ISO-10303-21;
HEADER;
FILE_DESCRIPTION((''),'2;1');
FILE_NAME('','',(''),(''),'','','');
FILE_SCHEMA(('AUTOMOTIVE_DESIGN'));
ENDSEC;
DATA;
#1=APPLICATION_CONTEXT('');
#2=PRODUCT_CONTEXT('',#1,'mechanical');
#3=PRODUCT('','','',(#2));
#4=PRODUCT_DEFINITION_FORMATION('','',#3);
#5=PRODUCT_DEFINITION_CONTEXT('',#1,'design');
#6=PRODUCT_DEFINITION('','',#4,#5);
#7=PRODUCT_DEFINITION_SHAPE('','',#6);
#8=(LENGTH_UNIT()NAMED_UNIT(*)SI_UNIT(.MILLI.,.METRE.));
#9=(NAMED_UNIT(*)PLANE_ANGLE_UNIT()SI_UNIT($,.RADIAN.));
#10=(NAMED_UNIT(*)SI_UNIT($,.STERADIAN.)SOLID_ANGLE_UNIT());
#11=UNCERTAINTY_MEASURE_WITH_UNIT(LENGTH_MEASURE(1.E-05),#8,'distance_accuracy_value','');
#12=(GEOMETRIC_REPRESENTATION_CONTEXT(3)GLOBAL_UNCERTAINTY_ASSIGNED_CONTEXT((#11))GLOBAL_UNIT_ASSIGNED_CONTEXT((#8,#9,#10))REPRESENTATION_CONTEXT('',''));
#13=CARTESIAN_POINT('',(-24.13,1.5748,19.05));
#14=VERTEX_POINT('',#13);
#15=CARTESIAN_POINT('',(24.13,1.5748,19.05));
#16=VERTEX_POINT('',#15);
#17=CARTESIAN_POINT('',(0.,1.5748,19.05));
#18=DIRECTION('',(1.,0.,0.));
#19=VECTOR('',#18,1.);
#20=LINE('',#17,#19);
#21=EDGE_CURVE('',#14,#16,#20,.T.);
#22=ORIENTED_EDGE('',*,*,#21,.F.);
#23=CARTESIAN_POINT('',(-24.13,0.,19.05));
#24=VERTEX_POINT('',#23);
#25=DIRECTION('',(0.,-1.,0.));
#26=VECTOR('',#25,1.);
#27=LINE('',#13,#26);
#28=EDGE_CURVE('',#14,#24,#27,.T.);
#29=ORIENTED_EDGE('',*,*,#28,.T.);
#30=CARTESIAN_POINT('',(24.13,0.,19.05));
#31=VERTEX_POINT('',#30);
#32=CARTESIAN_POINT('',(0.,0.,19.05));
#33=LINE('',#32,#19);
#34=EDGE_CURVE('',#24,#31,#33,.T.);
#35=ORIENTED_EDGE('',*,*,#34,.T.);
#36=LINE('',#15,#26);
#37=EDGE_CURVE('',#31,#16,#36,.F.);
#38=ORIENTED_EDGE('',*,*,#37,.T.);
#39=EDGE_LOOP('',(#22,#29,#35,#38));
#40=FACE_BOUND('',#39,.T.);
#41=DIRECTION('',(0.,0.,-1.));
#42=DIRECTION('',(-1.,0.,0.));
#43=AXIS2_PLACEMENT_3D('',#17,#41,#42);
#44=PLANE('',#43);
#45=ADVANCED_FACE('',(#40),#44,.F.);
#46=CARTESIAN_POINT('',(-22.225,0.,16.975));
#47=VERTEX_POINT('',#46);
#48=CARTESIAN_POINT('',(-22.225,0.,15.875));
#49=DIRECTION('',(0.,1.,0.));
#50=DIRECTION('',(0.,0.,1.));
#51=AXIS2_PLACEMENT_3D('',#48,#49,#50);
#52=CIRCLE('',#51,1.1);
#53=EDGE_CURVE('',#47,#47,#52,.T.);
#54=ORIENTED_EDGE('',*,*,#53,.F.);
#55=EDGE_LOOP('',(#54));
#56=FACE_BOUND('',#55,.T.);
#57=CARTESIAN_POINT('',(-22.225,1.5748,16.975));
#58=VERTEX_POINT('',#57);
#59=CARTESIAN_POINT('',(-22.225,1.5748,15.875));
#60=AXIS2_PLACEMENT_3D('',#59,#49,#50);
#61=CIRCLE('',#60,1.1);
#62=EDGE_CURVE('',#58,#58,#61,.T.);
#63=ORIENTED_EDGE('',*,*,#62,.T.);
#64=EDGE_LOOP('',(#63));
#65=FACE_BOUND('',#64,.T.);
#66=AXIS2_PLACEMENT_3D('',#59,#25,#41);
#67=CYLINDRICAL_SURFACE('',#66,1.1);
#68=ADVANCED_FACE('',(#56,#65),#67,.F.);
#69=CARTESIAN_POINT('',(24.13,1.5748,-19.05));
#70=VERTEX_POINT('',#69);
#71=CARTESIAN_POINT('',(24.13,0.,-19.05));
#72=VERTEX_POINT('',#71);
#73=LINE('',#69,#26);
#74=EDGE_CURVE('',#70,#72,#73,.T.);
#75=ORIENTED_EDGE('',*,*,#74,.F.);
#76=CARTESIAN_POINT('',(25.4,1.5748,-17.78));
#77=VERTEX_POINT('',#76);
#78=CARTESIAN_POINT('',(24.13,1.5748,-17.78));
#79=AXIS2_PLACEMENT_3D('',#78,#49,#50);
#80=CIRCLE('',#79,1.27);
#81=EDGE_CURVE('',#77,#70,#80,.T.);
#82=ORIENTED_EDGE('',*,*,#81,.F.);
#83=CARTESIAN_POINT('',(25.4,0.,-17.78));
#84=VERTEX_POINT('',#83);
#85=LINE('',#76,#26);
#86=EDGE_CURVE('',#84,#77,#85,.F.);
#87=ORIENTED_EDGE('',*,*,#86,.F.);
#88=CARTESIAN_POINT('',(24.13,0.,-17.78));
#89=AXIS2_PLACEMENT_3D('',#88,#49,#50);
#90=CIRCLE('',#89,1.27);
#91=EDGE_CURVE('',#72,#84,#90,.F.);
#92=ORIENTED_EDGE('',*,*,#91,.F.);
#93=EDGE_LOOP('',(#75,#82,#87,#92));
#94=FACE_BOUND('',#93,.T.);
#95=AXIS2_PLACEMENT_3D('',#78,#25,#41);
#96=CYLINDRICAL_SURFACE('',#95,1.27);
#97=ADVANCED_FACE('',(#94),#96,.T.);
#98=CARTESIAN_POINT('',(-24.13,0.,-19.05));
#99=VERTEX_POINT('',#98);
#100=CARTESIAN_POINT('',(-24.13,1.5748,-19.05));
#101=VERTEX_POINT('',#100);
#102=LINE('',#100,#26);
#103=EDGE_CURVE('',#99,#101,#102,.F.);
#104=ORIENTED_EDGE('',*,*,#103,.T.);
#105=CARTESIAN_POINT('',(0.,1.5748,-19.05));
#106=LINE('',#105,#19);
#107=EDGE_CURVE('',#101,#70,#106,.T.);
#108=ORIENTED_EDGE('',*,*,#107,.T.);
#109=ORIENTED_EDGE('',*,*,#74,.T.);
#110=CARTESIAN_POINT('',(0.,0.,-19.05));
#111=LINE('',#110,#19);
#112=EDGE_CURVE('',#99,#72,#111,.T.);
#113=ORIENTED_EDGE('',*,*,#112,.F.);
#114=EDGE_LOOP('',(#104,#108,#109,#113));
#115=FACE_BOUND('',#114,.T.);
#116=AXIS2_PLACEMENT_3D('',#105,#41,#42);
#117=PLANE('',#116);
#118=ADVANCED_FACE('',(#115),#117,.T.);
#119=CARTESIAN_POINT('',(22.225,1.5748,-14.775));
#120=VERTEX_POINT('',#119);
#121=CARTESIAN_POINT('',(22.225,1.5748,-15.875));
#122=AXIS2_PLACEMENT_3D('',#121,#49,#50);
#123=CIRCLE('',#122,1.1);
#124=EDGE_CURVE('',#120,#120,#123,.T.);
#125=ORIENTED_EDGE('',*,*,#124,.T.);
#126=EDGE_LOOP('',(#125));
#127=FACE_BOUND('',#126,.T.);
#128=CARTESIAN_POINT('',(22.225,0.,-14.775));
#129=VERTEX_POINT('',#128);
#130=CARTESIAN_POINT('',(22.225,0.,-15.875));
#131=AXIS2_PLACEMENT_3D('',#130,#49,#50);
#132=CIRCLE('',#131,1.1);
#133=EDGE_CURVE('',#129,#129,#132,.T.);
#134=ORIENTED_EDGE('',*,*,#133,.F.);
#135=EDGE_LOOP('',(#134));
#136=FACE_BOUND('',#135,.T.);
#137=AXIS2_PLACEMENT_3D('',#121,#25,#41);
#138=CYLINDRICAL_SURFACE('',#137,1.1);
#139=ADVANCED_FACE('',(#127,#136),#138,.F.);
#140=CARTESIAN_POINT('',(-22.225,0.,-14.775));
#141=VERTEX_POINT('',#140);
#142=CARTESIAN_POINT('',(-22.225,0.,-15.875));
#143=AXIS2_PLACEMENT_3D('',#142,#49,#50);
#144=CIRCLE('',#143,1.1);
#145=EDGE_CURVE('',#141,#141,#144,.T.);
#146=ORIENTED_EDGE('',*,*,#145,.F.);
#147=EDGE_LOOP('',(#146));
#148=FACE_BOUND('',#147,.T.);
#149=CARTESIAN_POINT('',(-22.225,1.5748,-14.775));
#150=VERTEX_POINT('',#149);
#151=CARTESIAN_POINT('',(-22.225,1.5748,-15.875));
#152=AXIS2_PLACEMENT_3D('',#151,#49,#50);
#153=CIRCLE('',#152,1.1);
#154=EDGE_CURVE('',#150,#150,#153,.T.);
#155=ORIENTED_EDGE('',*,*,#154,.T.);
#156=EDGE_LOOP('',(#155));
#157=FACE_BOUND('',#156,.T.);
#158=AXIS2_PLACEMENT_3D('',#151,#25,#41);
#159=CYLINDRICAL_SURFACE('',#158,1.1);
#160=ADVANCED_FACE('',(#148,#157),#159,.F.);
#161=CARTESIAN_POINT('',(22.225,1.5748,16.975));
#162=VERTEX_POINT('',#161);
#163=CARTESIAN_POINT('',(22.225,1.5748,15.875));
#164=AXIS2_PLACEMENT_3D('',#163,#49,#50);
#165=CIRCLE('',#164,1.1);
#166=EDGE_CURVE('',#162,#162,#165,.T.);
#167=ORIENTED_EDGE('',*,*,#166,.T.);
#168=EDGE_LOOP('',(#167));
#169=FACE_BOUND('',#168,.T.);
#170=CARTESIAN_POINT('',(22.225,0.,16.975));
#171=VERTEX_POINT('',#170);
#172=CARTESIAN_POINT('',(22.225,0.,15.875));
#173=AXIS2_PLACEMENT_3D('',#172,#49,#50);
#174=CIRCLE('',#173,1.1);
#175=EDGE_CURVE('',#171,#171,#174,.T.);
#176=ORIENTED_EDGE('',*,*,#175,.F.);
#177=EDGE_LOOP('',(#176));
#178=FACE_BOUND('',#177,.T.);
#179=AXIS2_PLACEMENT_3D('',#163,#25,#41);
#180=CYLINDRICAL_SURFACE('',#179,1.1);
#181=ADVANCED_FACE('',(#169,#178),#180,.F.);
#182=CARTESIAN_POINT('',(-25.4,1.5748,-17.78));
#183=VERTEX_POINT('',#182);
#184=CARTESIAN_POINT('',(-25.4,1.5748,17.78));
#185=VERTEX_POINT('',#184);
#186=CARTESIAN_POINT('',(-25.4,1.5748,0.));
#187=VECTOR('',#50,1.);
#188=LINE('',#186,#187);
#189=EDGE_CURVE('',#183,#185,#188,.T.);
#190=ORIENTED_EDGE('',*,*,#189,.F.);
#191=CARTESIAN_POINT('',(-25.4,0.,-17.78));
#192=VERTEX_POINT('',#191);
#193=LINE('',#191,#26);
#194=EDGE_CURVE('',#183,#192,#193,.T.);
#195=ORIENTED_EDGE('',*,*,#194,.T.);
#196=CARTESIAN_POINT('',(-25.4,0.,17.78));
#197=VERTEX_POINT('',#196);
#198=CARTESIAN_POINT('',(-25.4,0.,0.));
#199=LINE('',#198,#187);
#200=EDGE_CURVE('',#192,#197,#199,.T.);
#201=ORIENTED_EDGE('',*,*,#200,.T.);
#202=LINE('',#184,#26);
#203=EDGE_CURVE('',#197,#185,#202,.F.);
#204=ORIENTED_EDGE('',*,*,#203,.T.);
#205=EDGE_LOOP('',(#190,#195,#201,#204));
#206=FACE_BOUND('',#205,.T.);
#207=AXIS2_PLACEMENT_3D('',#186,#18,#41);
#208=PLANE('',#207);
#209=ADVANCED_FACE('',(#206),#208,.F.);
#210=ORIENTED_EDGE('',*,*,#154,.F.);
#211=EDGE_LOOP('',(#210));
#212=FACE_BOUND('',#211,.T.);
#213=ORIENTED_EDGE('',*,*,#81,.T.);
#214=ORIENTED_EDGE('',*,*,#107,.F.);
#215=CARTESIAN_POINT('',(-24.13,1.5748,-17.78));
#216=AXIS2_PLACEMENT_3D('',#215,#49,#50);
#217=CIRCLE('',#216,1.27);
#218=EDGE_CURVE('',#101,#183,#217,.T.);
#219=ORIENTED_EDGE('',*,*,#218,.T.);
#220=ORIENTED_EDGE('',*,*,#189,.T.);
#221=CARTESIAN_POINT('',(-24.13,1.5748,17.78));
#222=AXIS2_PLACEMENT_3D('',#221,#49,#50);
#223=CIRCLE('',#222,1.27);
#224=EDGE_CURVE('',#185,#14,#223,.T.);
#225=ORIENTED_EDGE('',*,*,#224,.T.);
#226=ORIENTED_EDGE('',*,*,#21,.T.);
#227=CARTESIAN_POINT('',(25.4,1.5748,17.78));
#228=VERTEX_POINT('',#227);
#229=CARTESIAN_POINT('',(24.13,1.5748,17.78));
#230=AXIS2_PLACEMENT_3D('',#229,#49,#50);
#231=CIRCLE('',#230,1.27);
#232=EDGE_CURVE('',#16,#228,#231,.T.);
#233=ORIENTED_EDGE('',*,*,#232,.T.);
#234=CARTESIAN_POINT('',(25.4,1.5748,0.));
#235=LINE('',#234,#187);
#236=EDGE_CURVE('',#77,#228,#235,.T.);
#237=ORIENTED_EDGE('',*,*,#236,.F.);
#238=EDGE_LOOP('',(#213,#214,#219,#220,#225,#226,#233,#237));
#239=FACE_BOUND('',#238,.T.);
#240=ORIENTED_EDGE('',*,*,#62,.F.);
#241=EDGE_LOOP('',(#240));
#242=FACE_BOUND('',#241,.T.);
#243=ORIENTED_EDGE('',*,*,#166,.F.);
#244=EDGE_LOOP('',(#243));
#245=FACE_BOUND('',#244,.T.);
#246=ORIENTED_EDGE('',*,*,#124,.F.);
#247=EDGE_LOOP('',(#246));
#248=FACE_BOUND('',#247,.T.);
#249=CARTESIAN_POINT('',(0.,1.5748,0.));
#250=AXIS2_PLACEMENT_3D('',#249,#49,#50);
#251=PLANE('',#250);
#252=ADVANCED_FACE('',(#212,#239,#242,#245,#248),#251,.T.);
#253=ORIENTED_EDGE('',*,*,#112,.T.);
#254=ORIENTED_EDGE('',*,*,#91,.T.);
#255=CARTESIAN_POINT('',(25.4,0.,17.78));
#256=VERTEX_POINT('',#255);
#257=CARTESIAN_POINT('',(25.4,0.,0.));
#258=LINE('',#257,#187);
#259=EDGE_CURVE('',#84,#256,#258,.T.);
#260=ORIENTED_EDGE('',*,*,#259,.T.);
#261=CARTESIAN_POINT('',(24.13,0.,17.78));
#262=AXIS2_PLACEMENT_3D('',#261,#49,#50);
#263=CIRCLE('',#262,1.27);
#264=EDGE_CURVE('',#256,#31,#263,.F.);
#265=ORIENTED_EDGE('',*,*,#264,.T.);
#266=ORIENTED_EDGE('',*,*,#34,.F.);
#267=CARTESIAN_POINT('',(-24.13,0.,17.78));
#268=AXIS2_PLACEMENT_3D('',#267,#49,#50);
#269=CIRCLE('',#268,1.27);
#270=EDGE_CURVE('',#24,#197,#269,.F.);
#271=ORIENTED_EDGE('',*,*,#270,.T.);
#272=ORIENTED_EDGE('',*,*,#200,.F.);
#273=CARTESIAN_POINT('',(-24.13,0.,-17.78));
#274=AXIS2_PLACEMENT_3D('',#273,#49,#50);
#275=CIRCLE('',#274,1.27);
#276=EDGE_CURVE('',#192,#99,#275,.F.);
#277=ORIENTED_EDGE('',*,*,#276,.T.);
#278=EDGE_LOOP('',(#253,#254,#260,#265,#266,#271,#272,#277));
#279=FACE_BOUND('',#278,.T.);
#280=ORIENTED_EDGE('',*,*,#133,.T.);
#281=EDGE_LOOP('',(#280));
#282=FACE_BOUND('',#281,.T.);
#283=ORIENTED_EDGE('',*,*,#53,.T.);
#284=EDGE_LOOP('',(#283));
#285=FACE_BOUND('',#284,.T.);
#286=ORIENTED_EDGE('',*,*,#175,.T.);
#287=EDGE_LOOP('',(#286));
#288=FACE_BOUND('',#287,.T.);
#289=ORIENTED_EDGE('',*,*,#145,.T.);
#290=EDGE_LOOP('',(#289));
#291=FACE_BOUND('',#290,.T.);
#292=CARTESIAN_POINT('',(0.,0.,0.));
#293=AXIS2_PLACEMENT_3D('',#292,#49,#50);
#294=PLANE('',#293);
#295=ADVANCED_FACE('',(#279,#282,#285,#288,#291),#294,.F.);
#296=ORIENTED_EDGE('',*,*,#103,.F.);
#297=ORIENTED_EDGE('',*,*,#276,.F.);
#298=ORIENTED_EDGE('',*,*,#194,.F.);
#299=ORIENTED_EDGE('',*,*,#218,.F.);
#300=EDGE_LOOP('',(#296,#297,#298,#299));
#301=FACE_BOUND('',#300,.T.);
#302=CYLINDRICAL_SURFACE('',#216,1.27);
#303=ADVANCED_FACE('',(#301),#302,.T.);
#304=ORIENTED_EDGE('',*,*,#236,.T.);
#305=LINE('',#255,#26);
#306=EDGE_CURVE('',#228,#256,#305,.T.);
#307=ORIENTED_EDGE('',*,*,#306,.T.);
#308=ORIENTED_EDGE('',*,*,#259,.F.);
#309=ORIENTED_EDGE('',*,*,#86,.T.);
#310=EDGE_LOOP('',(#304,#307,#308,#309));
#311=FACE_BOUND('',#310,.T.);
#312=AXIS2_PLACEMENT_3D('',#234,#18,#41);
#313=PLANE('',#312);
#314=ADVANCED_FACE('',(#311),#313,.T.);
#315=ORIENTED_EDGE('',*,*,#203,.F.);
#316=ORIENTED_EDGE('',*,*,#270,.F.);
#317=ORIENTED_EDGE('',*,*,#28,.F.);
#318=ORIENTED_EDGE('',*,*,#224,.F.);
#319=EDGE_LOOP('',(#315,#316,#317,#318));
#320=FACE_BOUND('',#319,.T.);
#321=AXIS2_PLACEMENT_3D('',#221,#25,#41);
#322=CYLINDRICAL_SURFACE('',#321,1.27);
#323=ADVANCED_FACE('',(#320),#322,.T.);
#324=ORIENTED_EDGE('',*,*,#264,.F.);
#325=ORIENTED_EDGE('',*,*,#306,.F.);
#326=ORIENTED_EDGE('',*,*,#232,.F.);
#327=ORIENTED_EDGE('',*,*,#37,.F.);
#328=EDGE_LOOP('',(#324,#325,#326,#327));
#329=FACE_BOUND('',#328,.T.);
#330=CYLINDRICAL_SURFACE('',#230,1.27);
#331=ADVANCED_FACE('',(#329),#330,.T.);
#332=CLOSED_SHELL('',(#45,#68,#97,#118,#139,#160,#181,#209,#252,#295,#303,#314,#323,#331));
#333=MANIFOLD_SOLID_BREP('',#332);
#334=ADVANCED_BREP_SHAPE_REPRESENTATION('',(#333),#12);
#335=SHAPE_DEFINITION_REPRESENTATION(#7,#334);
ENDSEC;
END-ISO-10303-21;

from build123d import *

# Parameters (mm, degrees)
SKETCH1_W           = 50.8
SKETCH1_H           = 38.1
SKETCH1_R           = 1.1
BOSS_EXTRUDE1_DEPTH = 1.5748
FILLET1_R           = 1.27


with BuildPart() as part:
    # Sketch1 → Boss-Extrude1 (new body)
    with BuildSketch(Plane(origin=(0, 0, 0), x_dir=(1, 0, 0), z_dir=(0, 1, 0))):
        Rectangle(SKETCH1_W, SKETCH1_H)
        with Locations(Location((22.225, 15.875, 0), (0, 0, 270))):
            Circle(SKETCH1_R, mode=Mode.SUBTRACT)
        with Locations(Location((22.225, -15.875, 0), (0, 0, 270))):
            Circle(SKETCH1_R, mode=Mode.SUBTRACT)
        with Locations(Location((-22.225, -15.875, 0), (0, 0, 270))):
            Circle(SKETCH1_R, mode=Mode.SUBTRACT)
        with Locations(Location((-22.225, 15.875, 0), (0, 0, 270))):
            Circle(SKETCH1_R, mode=Mode.SUBTRACT)
    extrude(amount=BOSS_EXTRUDE1_DEPTH)

    # Fillet1
    fillet1_edges = [part.edges().sort_by_distance(p)[0] for p in [
        (25.4, 0.7874, 19.05),
        (-25.4, 0.7874, 19.05),
        (-25.4, 0.7874, -19.05),
        (25.4, 0.7874, -19.05),
    ]]
    fillet(fillet1_edges, radius=FILLET1_R)


solid = part.part
